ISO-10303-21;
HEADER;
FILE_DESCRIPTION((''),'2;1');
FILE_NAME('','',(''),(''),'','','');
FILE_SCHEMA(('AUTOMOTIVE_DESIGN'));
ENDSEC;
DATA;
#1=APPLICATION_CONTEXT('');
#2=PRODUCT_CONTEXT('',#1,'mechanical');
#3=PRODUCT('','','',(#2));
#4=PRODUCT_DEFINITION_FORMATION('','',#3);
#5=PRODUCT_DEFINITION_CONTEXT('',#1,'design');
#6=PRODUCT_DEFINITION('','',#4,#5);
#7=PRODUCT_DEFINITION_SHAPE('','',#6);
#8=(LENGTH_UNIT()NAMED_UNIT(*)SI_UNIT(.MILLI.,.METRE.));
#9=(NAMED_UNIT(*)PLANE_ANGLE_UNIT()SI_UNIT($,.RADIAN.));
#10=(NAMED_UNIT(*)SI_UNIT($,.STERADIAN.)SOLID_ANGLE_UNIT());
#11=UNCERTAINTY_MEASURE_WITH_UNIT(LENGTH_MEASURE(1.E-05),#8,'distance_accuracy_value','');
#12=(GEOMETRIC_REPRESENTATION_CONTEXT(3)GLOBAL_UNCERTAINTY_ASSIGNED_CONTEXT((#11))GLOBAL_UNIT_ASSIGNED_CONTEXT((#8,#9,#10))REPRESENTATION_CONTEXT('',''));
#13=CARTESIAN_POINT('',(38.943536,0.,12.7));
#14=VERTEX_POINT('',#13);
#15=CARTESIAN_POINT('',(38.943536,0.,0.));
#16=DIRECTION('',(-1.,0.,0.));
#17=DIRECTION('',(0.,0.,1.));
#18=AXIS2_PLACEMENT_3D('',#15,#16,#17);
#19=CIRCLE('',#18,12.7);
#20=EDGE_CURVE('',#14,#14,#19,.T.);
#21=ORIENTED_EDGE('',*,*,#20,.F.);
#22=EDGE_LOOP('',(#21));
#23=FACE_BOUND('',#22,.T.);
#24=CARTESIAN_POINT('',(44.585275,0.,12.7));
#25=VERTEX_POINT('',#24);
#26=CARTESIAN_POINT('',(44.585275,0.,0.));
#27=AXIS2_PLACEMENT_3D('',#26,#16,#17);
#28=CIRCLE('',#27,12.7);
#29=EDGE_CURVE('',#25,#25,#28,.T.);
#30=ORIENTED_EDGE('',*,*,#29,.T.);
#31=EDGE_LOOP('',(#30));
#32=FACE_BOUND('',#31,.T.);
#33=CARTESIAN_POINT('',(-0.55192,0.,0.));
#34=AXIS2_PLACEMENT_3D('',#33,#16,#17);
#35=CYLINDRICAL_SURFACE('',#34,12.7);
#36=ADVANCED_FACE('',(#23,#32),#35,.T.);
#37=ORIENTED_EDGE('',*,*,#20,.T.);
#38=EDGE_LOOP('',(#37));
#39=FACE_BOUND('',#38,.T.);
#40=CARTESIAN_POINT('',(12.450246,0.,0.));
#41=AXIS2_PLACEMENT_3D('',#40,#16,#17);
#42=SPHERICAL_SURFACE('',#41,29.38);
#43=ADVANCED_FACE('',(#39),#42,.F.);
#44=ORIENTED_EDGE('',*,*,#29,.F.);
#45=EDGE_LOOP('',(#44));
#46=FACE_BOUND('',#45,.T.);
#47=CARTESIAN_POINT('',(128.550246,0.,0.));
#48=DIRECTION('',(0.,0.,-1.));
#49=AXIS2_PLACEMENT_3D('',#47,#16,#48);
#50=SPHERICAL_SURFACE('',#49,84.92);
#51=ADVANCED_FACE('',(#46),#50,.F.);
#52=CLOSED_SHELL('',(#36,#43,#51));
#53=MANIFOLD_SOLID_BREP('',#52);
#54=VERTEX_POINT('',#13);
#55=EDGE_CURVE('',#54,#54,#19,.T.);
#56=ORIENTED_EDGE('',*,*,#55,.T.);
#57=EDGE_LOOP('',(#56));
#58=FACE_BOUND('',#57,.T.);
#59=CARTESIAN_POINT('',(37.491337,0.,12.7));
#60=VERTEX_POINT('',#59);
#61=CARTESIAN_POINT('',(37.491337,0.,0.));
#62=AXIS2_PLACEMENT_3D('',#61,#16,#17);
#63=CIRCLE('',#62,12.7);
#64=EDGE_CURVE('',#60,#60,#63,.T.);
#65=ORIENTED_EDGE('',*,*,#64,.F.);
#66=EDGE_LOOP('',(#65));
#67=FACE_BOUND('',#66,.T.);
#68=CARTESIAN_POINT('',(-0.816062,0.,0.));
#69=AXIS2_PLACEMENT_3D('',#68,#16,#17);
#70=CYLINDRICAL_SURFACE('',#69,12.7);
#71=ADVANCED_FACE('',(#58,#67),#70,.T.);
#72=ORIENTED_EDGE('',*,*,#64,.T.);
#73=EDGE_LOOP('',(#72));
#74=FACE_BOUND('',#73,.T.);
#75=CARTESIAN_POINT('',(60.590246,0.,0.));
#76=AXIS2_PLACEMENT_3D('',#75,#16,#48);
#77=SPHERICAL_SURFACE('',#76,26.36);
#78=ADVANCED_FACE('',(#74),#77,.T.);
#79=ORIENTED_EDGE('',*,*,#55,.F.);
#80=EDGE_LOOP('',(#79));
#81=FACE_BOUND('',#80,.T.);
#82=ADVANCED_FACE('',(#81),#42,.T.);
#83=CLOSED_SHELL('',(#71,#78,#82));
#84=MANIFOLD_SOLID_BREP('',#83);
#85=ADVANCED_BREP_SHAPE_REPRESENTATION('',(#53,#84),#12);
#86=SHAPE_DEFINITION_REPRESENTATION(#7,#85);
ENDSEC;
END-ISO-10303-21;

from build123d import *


with BuildPart() as part:
    # 草图1 one side → 旋转1 (revolve)
    with BuildSketch(Plane(origin=(0, 0, 0), x_dir=(1, 0, 0), z_dir=(0, 1, 0)), mode=Mode.PRIVATE) as revolve_1_sk:
        with BuildLine():
            ThreePointArc((37.491337365, 12.7), (35.058532397, 6.556003243), (34.23024643, 0))
            Line((34.23024643, 0), (41.83024643, 0))
            ThreePointArc((41.83024643, 0), (41.09948073, 6.511971596), (38.943536147, 12.7))
            Line((38.943536147, 12.7), (37.491337365, 12.7))
        make_face()
    revolve(revolve_1_sk.sketch.rotate(Axis((-0.816062176, 0, 0), (1, 0, 0)), 180), axis=Axis((-0.816062176, 0, 0), (1, 0, 0)))  # turned: the seam where the file's is


with BuildPart() as body_2:
    # 草图2 one side → 旋转2 (revolve)
    with BuildSketch(Plane(origin=(0, 0, 0), x_dir=(1, 0, 0), z_dir=(0, 1, 0)), mode=Mode.PRIVATE) as revolve_2_sk:
        with BuildLine():
            Line((44.585275162, 12.7), (38.943536147, 12.7))
            ThreePointArc((38.943536147, 12.7), (41.09948073, 6.511971596), (41.83024643, 0))
            Line((41.83024643, 0), (43.63024643, 0))
            ThreePointArc((43.63024643, 0), (43.8693402, 6.367929017), (44.585275162, 12.7))
        make_face()
    revolve(revolve_2_sk.sketch.rotate(Axis((-0.551919993, 0, 0), (1, 0, 0)), 180), axis=Axis((-0.551919993, 0, 0), (1, 0, 0)))  # turned: the seam where the file's is


solid = Compound([part.part, body_2.part])
